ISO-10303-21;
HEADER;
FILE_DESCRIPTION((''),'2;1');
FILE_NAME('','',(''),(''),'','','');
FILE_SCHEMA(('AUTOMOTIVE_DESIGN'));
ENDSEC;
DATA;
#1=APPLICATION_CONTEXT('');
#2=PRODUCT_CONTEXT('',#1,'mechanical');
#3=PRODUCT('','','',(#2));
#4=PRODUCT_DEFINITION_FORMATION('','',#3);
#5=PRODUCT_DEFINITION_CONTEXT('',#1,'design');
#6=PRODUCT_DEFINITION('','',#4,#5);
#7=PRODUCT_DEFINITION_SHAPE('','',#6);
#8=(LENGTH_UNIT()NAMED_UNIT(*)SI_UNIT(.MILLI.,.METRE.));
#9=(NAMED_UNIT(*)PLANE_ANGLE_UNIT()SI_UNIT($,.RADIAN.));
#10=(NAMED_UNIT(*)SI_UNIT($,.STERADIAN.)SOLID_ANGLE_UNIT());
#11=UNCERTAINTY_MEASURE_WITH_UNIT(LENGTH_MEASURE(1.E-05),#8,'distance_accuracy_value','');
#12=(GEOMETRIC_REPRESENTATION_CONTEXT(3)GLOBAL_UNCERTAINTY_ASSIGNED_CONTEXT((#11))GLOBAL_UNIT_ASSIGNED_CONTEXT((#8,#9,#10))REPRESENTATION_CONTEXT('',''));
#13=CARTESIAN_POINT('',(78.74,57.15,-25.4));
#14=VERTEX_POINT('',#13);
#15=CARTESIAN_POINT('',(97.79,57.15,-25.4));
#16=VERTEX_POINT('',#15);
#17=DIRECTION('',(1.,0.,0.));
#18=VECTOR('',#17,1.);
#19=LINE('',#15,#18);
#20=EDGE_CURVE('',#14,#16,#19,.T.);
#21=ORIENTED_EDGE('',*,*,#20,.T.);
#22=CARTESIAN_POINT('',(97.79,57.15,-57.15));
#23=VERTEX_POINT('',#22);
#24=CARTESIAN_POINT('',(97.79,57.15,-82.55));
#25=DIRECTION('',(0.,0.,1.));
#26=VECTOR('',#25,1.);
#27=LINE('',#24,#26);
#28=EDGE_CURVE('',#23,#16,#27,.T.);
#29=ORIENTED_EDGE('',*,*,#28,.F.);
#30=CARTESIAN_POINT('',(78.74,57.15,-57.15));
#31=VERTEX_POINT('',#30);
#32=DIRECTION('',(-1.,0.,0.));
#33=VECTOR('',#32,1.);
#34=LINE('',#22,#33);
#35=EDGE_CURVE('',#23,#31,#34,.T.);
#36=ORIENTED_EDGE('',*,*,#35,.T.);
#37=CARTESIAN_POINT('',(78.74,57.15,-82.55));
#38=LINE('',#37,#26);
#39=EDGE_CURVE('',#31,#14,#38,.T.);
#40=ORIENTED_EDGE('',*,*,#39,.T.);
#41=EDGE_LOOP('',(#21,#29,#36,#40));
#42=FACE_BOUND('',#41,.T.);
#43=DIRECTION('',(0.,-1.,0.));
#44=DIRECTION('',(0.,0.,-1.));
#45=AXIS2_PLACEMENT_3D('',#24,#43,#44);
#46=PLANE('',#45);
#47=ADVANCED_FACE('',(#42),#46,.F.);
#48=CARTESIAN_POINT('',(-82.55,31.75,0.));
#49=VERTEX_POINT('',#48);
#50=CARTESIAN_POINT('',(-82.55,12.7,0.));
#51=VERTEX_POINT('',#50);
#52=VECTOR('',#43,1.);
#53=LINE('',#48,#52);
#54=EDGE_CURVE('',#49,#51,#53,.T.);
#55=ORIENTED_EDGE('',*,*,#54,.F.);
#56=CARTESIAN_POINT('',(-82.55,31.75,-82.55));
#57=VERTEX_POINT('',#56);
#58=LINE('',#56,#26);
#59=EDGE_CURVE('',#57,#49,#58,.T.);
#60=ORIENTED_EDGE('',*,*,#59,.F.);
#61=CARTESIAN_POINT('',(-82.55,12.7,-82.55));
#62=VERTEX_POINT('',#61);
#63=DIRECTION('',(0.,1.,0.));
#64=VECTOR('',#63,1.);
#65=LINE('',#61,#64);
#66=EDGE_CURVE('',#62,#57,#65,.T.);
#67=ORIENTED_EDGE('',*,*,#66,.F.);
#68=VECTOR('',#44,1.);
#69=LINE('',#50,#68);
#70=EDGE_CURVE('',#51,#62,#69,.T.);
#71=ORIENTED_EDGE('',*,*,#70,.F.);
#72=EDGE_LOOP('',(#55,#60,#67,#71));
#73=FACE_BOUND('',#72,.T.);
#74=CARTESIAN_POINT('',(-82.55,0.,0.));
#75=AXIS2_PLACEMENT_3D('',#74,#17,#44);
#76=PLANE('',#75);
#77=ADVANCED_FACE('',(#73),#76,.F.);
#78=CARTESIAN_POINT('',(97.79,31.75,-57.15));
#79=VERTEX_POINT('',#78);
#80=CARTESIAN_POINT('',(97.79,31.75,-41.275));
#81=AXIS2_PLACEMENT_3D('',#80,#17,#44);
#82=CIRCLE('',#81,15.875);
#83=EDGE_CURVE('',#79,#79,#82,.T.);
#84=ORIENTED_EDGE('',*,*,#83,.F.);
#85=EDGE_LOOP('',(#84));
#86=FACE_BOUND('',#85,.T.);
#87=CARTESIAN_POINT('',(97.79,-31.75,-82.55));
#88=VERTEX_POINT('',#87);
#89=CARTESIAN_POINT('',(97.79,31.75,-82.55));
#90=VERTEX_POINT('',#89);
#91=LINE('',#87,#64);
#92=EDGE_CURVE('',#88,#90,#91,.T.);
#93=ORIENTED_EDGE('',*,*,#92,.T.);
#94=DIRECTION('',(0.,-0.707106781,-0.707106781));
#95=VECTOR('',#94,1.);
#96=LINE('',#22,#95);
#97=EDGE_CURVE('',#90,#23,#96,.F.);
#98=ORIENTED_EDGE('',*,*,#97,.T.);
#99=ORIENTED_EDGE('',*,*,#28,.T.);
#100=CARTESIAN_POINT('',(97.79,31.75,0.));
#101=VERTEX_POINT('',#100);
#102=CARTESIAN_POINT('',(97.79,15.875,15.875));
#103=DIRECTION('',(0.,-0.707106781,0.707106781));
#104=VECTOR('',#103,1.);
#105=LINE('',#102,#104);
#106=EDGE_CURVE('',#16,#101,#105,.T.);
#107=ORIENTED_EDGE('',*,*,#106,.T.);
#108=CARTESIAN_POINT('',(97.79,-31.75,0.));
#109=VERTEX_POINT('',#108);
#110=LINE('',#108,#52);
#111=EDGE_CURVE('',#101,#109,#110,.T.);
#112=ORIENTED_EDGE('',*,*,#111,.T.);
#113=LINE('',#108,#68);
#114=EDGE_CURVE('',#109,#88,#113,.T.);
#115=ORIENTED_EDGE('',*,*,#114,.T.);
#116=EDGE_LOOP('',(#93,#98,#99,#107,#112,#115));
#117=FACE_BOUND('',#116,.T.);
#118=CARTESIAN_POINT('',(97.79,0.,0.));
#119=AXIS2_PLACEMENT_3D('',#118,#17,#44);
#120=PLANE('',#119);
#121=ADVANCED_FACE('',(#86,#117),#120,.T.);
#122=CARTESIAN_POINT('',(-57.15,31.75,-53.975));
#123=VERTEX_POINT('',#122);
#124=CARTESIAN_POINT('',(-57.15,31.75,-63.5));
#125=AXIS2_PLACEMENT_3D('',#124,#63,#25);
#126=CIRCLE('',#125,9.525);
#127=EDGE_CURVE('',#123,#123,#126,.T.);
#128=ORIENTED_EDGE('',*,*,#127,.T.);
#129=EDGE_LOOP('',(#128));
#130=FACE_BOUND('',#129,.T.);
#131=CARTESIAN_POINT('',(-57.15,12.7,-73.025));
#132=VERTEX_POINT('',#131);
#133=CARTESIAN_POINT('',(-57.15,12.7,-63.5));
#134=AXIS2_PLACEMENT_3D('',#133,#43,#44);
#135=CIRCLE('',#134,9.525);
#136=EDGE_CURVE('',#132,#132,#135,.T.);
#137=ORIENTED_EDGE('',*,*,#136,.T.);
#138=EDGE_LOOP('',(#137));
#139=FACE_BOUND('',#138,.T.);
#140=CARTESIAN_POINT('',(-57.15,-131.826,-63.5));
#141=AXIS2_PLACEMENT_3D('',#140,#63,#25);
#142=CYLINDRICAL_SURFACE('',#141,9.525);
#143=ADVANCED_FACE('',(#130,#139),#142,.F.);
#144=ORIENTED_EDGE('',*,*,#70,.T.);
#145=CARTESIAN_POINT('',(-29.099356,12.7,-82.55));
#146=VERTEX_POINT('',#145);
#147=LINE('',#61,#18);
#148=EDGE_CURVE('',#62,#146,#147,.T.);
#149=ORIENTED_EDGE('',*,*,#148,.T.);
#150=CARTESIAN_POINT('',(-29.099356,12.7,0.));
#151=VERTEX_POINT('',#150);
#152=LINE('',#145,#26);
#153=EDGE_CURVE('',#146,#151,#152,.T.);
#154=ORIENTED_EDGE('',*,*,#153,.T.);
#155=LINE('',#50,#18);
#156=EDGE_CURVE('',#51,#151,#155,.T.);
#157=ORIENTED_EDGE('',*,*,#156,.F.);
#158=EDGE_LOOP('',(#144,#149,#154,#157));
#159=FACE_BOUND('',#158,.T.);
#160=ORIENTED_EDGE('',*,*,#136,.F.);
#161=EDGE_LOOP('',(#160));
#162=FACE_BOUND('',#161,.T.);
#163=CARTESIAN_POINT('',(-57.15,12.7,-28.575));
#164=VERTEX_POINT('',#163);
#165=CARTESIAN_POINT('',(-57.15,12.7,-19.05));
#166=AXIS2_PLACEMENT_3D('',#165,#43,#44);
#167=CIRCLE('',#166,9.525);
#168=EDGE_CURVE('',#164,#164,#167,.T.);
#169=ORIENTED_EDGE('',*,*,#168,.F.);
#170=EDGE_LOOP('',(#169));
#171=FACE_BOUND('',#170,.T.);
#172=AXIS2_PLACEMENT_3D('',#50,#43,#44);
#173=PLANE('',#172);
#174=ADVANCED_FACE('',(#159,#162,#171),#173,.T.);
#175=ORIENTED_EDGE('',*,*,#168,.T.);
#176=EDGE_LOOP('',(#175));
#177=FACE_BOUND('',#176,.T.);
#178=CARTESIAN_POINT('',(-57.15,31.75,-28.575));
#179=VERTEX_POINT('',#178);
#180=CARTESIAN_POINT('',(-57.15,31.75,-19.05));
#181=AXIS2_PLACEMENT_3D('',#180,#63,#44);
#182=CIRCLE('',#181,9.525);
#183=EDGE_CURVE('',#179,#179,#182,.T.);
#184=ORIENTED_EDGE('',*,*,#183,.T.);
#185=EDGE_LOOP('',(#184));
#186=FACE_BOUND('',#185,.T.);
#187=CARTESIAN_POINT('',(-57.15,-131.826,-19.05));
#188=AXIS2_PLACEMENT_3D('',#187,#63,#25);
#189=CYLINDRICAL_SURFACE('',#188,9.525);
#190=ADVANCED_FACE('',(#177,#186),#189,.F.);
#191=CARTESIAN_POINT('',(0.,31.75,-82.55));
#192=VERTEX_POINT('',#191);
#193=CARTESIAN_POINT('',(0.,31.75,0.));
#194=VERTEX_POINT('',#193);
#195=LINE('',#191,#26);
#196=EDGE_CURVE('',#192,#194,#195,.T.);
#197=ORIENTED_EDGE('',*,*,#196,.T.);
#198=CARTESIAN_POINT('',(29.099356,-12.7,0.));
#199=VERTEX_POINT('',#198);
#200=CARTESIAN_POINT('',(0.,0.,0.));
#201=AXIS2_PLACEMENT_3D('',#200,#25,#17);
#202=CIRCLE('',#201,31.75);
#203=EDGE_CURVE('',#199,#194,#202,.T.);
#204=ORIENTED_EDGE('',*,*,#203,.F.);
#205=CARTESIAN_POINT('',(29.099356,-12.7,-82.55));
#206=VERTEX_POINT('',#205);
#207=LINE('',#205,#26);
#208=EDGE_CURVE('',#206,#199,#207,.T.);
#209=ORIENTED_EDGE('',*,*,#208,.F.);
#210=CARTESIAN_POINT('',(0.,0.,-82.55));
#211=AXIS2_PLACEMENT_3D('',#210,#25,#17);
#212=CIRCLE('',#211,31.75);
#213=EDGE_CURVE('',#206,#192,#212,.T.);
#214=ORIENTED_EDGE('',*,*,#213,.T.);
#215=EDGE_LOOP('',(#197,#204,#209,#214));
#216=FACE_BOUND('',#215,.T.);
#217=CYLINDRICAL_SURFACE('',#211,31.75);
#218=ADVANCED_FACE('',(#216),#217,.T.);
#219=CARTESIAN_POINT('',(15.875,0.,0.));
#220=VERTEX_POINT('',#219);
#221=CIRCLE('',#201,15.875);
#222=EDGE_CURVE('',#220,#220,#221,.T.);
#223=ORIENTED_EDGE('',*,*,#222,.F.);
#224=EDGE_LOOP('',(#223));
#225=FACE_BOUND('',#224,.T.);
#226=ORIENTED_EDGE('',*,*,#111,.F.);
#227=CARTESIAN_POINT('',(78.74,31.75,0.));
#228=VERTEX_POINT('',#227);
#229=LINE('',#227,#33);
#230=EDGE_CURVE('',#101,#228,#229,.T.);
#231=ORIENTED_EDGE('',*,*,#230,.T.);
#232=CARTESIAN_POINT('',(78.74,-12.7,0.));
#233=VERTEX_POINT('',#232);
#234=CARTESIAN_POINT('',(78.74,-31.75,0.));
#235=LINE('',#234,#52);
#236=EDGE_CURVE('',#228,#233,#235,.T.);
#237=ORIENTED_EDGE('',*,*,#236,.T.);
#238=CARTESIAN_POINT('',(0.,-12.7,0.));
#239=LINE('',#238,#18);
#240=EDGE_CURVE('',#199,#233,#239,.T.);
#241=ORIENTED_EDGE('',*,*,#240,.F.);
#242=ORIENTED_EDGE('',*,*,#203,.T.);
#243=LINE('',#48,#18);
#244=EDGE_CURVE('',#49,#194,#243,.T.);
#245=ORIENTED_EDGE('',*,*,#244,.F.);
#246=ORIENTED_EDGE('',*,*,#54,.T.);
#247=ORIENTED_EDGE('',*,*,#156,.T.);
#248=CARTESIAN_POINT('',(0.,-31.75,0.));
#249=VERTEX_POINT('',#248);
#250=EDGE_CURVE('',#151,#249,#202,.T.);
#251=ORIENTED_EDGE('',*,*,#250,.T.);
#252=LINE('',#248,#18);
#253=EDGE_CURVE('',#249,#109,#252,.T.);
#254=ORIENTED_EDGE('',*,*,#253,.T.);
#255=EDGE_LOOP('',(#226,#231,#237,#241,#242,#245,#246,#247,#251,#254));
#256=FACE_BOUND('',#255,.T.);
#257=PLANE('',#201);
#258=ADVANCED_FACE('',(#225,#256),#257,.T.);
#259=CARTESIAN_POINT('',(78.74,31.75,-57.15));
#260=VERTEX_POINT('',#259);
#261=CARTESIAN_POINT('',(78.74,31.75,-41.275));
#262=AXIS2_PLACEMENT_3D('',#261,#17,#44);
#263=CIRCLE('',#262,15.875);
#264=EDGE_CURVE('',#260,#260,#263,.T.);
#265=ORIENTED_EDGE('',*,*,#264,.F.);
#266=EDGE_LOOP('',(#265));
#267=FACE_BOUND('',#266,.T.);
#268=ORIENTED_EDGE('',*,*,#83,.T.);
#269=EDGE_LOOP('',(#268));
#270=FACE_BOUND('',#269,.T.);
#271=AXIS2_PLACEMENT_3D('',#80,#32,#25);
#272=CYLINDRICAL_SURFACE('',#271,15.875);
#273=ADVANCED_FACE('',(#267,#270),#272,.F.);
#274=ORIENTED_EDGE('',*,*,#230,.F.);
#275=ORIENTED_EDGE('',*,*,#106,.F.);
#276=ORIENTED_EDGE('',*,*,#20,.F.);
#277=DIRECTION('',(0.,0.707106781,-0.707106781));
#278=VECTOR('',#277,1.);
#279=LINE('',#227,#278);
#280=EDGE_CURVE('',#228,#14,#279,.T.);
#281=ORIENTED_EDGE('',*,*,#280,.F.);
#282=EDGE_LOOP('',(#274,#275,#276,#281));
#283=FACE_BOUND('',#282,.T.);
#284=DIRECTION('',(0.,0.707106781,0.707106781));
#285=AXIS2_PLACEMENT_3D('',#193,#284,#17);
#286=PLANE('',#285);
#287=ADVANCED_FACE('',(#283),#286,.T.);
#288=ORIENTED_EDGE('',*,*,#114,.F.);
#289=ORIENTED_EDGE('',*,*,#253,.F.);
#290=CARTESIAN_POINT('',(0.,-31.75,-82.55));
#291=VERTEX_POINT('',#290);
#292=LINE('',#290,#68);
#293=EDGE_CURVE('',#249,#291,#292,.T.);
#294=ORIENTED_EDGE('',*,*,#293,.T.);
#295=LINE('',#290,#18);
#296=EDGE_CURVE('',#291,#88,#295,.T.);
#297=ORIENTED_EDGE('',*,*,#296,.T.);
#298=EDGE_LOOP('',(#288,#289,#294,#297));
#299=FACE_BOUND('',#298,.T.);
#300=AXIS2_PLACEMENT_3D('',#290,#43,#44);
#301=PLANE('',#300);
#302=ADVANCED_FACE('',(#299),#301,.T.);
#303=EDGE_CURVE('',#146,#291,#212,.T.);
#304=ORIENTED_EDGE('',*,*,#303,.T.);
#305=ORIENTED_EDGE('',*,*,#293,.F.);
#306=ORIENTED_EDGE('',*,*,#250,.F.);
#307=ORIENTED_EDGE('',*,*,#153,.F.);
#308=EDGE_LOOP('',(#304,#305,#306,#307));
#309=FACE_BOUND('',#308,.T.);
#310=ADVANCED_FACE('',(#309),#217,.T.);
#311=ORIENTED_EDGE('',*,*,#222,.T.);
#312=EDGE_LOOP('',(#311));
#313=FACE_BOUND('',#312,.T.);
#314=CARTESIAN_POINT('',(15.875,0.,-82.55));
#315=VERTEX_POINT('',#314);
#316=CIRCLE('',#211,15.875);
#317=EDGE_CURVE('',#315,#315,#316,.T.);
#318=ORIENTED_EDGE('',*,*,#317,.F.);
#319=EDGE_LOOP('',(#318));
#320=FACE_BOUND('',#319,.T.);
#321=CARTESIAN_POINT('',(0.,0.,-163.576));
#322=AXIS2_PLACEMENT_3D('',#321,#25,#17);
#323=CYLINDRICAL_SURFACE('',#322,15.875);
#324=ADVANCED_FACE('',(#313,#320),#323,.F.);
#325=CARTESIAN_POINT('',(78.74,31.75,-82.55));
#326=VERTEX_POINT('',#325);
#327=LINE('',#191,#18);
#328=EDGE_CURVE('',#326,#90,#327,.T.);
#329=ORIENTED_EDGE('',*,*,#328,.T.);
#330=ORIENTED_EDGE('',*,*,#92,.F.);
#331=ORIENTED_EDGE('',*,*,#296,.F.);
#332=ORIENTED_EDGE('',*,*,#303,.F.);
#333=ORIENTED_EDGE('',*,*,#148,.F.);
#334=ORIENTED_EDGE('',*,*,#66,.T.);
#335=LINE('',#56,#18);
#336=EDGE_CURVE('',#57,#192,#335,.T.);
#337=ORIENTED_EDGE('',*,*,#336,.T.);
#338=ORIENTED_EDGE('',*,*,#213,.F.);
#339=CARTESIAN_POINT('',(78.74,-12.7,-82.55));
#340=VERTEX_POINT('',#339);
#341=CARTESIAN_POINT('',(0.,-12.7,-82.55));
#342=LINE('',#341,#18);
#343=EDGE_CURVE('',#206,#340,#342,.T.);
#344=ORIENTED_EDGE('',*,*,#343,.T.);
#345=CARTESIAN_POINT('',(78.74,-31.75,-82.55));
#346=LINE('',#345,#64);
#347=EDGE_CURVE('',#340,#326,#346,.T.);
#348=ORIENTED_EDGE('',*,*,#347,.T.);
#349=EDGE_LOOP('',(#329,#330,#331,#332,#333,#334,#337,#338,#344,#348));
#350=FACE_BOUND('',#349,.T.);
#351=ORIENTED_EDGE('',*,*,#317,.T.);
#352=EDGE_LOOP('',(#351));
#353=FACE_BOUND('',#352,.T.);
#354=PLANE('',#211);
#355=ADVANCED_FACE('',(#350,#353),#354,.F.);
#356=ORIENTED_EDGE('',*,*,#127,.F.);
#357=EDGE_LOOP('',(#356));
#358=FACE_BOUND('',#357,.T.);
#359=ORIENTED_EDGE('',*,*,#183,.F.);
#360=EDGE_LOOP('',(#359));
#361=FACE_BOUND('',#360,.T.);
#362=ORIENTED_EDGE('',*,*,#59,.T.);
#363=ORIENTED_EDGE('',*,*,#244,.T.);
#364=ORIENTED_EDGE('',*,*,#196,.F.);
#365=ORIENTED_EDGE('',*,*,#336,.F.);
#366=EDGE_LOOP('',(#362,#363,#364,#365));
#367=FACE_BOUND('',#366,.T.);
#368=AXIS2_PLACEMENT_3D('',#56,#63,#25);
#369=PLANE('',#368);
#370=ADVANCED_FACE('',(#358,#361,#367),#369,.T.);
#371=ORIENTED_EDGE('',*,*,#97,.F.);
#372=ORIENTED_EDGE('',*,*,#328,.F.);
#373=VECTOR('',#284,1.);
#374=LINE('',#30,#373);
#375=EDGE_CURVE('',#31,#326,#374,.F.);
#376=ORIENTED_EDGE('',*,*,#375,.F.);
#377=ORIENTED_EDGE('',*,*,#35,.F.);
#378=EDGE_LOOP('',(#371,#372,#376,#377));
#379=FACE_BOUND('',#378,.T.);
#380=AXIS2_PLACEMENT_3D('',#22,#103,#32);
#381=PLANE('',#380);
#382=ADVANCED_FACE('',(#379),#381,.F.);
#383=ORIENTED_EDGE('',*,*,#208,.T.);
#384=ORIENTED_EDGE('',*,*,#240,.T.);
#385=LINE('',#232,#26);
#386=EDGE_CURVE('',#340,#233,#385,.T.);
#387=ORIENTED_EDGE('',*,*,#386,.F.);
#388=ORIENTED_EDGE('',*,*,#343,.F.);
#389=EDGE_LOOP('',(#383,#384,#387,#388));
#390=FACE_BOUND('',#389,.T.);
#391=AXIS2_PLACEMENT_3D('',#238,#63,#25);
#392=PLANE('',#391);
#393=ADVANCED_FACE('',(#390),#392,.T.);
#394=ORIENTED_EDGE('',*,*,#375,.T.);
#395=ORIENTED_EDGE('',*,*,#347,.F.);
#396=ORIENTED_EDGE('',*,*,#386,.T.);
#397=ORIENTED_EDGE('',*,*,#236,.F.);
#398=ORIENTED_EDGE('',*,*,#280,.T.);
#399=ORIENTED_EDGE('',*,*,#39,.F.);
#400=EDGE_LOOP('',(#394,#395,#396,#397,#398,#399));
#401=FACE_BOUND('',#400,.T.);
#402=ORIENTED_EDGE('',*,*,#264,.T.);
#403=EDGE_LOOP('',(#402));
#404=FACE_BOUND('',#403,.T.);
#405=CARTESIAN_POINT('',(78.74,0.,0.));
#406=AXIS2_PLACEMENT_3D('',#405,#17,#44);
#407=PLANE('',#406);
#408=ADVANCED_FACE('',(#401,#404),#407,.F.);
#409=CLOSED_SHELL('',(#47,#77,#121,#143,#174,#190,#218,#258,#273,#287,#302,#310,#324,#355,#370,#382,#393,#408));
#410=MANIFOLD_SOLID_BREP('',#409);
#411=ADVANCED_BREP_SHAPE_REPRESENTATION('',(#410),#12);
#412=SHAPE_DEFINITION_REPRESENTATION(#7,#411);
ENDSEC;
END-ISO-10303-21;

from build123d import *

# Parameters (mm, degrees)
SKETCH1_R                = 31.75
BOSS_EXTRUDE1_DEPTH      = 82.55
SKETCH4_W                = 82.55
SKETCH4_H                = 19.05
BOSS_EXTRUDE2_DEPTH      = 46.99
BOSS_EXTRUDE2_DEPTH_BACK = 31.75
SKETCH5_W                = 82.55
SKETCH5_H                = 88.9
SKETCH5_R                = 15.875
BOSS_EXTRUDE3_DEPTH      = 19.05
CHAMFER1_SIZE            = 25.4
SKETCH8_W                = 82.55
SKETCH8_H                = 19.05
BOSS_EXTRUDE4_DEPTH      = 31.75
BOSS_EXTRUDE4_DEPTH_BACK = 50.8
SKETCH3_R                = 15.875
CUT_EXTRUDE2_DEPTH       = 163.576
SKETCH9_R                = 9.525
CUT_EXTRUDE3_DEPTH       = 163.576


with BuildPart() as part:
    # Sketch1 → Boss-Extrude1 (new body)
    with BuildSketch(Plane.XY):
        Circle(SKETCH1_R)
    extrude(amount=-BOSS_EXTRUDE1_DEPTH)

    # Sketch4 → Boss-Extrude2 (add, two sides)
    with BuildSketch(Plane(origin=(31.75, 0, 0), x_dir=(0, 0, -1), z_dir=(1, 0, 0))) as boss_extrude2_sk:
        with Locations((41.275, -22.225)):
            Rectangle(SKETCH4_W, SKETCH4_H)
    extrude(amount=BOSS_EXTRUDE2_DEPTH)
    extrude(boss_extrude2_sk.sketch, amount=-BOSS_EXTRUDE2_DEPTH_BACK)

    # Sketch5 → Boss-Extrude3 (add)
    with BuildSketch(Plane(origin=(78.74, 0, 0), x_dir=(0, 0, -1), z_dir=(1, 0, 0))):
        with Locations((41.275, 12.7)):
            Rectangle(SKETCH5_W, SKETCH5_H)
        with Locations((41.275, 31.75)):
            Circle(SKETCH5_R, mode=Mode.SUBTRACT)
    extrude(amount=BOSS_EXTRUDE3_DEPTH)

    # Chamfer1
    chamfer1_edges = [part.edges().sort_by_distance(p)[0] for p in [
        (88.265, 57.15, -82.55),
        (88.265, 57.15, 0),
    ]]
    chamfer(chamfer1_edges, length=CHAMFER1_SIZE)

    # Sketch8 → Boss-Extrude4 (add, two sides)
    with BuildSketch(Plane(origin=(-31.75, 0, 0), x_dir=(0, 0, -1), z_dir=(1, 0, 0))) as boss_extrude4_sk:
        with Locations((41.275, 22.225)):
            Rectangle(SKETCH8_W, SKETCH8_H)
    extrude(amount=BOSS_EXTRUDE4_DEPTH)
    extrude(boss_extrude4_sk.sketch, amount=-BOSS_EXTRUDE4_DEPTH_BACK)

    # Sketch3 → Cut-Extrude2 (cut)
    with BuildSketch(Plane.XY):
        Circle(SKETCH3_R)
    extrude(amount=-CUT_EXTRUDE2_DEPTH, mode=Mode.SUBTRACT)

    # Sketch9 → Cut-Extrude3 (cut)
    with BuildSketch(Plane(origin=(0, 31.75, 0), x_dir=(1, 0, 0), z_dir=(0, 1, 0))):
        with Locations((-57.15, 63.5)):
            Circle(SKETCH9_R)
        with Locations((-57.15, 19.05)):
            Circle(SKETCH9_R)
    extrude(amount=-CUT_EXTRUDE3_DEPTH, mode=Mode.SUBTRACT)


solid = part.part
